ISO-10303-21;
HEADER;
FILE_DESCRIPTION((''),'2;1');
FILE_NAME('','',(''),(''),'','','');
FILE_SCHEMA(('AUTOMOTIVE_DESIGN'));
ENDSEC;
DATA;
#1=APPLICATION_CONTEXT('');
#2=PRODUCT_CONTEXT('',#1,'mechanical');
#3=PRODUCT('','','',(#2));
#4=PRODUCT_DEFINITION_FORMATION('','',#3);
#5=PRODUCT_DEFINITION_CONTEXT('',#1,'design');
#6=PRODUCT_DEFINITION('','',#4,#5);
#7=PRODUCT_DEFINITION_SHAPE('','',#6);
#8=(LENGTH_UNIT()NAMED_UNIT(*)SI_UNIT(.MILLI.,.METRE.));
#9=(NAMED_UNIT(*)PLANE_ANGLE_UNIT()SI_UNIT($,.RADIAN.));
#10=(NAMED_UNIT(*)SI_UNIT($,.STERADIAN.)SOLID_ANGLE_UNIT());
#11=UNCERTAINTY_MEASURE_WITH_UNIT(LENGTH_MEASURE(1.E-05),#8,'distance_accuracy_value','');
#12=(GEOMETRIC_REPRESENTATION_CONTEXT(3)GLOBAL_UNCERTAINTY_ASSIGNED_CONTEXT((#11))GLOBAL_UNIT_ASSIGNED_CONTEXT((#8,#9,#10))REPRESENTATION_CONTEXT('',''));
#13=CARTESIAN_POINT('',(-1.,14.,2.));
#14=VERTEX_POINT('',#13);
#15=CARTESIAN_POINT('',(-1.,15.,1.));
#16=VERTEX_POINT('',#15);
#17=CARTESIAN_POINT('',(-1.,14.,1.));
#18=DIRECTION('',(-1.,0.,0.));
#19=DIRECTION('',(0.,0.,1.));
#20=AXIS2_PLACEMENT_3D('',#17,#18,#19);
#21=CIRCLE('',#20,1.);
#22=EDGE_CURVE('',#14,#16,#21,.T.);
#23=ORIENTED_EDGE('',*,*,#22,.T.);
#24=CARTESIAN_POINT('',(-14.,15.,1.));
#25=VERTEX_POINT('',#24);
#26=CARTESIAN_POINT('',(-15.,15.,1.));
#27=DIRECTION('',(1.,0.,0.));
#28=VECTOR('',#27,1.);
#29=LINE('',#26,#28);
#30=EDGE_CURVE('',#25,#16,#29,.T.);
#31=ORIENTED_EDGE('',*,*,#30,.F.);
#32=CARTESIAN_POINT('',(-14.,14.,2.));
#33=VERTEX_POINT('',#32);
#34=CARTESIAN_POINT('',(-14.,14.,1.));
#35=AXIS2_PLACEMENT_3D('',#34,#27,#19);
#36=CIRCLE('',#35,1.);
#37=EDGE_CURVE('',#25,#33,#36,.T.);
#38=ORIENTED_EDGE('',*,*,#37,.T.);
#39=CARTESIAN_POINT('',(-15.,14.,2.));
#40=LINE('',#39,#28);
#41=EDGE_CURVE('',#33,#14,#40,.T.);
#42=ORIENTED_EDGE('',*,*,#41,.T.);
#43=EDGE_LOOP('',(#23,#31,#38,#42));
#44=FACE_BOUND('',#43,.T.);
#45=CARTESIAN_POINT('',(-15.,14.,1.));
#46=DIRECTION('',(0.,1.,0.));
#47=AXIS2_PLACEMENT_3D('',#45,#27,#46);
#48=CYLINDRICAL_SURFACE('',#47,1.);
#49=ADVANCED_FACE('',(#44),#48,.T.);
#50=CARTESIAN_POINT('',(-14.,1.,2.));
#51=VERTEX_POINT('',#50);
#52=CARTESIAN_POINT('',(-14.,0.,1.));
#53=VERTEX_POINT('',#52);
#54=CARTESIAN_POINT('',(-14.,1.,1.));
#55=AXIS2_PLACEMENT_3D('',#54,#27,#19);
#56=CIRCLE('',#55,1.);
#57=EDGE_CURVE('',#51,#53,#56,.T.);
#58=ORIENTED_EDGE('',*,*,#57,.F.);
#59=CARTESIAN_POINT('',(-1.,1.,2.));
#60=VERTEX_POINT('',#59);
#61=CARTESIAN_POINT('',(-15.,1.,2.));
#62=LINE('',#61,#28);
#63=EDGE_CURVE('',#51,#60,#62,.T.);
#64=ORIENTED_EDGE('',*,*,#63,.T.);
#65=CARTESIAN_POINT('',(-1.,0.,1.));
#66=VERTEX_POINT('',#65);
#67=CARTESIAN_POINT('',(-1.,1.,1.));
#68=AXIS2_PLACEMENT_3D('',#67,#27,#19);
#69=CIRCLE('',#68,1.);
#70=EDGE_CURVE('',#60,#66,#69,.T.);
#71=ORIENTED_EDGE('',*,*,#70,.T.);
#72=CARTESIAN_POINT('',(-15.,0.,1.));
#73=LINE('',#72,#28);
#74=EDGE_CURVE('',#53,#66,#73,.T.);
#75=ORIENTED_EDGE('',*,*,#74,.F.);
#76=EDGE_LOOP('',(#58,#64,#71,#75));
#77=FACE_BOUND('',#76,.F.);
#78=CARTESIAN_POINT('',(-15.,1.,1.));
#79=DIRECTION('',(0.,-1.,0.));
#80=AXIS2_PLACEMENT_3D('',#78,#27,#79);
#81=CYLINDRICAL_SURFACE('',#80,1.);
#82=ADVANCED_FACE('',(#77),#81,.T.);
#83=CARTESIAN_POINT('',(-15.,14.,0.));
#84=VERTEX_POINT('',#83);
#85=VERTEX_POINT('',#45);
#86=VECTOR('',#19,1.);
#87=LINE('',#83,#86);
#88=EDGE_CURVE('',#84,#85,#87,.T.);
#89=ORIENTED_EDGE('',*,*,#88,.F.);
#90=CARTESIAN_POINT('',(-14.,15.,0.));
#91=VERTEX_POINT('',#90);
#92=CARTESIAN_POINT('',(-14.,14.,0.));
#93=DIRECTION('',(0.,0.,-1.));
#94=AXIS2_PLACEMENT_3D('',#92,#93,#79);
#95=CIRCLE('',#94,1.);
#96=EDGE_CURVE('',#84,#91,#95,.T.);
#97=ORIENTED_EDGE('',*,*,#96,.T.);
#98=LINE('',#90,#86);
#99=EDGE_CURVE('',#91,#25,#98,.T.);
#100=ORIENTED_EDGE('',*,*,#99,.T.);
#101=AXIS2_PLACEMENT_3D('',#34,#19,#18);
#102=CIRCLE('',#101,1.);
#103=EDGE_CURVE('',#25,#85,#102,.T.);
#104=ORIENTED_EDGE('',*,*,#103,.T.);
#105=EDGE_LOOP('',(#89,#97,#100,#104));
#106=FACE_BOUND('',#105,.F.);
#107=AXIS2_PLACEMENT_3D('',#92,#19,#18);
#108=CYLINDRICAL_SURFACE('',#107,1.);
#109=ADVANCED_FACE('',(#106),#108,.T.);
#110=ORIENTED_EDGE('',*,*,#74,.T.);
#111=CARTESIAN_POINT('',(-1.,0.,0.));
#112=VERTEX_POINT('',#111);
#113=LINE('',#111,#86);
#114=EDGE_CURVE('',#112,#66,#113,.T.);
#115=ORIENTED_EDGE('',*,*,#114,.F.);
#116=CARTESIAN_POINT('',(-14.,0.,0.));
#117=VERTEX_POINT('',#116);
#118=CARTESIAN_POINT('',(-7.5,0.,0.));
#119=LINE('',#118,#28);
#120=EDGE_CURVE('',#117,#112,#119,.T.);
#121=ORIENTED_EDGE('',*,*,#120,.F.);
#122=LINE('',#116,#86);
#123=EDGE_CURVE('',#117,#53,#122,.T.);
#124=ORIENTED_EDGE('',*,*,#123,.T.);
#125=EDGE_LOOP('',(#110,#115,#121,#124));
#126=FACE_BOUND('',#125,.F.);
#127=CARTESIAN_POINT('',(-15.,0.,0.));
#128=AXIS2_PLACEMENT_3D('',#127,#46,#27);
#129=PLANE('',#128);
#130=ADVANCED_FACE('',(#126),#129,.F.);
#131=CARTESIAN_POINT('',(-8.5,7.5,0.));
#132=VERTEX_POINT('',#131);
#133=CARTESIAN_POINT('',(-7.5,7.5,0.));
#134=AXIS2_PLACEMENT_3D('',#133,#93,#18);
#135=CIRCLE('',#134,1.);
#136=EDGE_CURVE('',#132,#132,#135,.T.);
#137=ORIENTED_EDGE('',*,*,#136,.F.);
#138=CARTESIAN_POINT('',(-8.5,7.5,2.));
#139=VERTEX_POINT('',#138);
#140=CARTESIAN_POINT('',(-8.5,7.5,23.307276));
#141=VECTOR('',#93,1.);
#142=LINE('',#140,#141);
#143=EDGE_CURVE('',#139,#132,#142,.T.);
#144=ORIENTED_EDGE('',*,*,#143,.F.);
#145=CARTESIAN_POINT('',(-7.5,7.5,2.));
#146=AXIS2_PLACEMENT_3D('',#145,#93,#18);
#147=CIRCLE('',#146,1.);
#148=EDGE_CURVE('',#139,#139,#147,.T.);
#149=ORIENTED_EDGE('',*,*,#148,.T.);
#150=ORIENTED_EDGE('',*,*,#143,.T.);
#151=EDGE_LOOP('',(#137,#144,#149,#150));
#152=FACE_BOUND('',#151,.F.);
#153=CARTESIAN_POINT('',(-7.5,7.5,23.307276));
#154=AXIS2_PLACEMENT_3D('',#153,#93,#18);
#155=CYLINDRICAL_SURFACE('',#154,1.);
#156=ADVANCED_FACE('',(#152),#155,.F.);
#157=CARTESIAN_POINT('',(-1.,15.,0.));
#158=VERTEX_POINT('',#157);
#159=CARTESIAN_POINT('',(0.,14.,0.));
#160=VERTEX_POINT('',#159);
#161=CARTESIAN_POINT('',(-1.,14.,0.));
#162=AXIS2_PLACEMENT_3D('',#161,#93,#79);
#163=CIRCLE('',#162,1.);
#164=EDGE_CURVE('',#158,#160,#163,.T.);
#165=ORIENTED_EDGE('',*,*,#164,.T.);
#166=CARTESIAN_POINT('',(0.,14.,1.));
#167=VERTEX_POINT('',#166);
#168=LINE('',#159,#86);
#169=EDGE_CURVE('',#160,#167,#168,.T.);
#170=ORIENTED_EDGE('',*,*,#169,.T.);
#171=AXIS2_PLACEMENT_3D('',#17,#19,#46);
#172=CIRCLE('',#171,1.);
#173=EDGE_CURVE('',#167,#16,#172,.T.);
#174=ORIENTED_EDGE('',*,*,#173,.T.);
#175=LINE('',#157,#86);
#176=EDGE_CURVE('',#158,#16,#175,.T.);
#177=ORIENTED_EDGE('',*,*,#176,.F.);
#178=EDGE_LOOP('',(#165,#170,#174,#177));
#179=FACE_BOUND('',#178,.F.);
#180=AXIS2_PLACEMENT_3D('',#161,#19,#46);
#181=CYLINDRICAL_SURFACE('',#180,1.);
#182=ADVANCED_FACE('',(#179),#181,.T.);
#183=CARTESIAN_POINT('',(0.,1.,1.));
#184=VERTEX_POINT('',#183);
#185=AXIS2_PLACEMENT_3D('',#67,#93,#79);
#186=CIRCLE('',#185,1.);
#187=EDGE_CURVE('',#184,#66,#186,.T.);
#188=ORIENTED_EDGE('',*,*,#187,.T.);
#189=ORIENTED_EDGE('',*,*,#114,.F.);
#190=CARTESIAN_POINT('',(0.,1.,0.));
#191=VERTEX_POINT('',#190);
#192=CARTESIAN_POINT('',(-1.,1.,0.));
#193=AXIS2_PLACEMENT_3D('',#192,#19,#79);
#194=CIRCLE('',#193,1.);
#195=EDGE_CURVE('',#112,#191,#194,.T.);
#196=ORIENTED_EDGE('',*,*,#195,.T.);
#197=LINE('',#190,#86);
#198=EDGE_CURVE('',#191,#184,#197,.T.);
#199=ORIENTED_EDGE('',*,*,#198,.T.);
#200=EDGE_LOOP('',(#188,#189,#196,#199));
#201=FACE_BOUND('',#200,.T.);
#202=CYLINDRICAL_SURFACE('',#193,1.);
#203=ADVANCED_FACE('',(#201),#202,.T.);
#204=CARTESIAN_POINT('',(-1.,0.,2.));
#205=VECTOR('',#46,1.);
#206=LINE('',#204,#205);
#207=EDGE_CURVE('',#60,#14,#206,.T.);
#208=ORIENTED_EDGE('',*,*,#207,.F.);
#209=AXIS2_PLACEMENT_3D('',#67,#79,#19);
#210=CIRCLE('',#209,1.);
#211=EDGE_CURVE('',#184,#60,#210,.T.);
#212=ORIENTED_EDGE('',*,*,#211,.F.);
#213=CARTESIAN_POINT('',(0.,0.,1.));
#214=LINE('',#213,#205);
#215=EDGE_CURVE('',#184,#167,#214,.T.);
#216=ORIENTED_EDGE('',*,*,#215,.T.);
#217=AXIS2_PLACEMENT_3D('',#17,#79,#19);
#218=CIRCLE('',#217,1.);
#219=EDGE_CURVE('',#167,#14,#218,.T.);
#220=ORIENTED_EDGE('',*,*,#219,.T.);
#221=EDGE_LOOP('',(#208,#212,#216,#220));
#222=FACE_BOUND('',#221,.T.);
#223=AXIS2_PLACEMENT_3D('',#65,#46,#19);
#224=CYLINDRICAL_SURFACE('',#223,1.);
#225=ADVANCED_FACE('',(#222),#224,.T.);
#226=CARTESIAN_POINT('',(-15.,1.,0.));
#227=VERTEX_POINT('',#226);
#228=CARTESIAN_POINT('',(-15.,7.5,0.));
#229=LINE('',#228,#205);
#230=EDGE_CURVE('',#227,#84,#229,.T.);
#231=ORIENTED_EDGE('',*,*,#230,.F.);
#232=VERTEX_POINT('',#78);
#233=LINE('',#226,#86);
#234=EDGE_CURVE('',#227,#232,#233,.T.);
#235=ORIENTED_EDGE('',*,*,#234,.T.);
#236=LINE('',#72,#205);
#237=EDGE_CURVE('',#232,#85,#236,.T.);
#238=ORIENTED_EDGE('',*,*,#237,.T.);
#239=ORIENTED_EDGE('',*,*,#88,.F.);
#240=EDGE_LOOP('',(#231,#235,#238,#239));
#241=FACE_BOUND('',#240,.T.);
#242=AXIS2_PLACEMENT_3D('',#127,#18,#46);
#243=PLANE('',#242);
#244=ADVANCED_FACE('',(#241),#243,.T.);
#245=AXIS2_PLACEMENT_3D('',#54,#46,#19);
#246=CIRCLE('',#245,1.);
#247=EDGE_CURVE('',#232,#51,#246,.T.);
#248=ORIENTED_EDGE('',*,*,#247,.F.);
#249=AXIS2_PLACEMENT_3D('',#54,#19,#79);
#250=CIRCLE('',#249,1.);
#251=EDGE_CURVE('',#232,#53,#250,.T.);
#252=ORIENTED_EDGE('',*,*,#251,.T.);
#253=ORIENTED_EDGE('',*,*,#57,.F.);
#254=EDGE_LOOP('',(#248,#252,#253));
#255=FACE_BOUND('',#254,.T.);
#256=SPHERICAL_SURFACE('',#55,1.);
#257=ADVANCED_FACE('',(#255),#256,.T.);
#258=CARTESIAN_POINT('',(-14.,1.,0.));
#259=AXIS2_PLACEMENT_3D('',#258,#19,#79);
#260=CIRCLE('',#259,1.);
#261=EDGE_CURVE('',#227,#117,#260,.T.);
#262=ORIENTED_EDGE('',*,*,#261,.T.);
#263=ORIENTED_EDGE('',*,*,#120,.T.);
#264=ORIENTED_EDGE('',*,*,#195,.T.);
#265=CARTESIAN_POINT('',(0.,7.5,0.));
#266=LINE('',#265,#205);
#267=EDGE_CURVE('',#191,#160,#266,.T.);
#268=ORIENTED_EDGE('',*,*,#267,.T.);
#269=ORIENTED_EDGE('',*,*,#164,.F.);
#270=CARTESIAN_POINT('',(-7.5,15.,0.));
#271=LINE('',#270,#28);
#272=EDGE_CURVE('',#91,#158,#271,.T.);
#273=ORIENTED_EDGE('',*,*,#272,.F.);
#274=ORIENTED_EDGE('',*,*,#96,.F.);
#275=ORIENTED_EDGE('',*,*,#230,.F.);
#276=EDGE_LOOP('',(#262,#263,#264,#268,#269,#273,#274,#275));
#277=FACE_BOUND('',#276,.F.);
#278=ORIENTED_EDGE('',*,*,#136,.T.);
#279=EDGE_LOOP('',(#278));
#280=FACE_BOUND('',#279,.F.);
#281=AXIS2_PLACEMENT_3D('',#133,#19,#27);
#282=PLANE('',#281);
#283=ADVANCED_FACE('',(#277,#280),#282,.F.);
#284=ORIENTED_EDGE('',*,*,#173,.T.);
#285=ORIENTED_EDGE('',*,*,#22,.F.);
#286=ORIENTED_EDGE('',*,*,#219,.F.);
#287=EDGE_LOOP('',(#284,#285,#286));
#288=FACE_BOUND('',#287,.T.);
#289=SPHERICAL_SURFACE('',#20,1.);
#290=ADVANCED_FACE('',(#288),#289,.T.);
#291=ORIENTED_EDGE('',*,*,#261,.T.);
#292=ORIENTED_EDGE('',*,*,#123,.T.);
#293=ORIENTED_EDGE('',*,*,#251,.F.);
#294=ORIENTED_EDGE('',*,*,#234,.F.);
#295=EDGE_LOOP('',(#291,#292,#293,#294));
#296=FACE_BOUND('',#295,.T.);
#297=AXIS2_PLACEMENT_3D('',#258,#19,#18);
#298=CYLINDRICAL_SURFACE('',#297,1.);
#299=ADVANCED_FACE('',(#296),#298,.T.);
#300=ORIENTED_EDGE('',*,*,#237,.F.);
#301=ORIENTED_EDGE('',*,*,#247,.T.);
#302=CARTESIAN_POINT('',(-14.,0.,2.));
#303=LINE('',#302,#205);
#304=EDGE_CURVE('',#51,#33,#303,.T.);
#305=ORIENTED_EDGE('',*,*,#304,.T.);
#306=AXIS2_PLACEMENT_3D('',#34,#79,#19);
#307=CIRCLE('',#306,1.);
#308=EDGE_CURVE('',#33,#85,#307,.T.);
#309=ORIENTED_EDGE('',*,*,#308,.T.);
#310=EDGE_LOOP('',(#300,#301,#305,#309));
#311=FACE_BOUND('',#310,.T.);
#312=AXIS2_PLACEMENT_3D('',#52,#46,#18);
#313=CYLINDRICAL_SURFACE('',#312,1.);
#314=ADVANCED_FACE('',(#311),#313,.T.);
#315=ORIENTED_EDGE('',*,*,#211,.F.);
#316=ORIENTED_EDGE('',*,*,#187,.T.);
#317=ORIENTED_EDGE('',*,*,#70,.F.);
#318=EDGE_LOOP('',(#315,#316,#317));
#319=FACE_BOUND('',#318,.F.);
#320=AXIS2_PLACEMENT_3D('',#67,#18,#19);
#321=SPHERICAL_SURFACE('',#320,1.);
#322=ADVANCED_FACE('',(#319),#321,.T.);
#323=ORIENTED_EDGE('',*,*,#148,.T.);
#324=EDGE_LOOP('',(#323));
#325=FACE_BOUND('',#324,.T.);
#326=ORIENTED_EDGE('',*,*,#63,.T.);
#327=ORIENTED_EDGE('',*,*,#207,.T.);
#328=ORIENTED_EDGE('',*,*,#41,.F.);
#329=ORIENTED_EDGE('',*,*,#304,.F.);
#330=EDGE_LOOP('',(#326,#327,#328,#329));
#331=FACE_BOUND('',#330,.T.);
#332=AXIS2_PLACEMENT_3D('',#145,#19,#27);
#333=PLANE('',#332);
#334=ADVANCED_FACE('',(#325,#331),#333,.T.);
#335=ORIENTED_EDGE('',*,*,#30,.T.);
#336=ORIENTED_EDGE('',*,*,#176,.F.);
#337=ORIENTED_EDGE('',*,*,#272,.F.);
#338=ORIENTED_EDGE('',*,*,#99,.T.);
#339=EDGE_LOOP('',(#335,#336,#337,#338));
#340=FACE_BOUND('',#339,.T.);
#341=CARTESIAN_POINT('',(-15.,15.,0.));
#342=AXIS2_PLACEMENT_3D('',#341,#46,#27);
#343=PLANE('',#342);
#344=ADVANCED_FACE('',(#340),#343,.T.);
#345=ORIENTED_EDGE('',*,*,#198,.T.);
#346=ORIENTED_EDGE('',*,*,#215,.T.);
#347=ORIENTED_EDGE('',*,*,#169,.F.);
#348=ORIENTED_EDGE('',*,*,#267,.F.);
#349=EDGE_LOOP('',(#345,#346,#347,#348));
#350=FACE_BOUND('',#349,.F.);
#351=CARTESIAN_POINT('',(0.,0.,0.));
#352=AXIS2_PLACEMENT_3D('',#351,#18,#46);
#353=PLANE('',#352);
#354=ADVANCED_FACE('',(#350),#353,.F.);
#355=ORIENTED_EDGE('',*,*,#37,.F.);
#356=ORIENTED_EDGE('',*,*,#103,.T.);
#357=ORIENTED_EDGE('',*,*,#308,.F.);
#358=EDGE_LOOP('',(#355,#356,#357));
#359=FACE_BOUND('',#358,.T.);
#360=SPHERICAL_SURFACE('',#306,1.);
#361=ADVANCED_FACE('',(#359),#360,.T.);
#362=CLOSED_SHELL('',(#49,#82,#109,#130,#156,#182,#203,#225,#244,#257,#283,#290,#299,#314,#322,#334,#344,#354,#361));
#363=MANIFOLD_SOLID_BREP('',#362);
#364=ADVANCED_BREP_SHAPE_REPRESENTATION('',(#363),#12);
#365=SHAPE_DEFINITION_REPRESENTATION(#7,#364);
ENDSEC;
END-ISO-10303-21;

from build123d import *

# Parameters (mm, degrees)
F0_W     = 15
F0_H     = 15
F1_DEPTH = 2
F3_D     = 2
F4_R     = 1


with BuildPart() as f1:
    # F0 (on Top) → F1 (new body)
    with BuildSketch(Plane.XY):
        with Locations((-7.5, 7.5)):
            Rectangle(F0_W, F0_H)
    extrude(amount=F1_DEPTH)

    # F3 (through all)
    with Locations(Plane.XY.offset(2)):
        with Locations((-7.5, 7.5)):
            Hole(F3_D / 2)

    # F4
    f4_edges = [f1.edges().sort_by_distance(p)[0] for p in [
        (-7.5, 0, 2),
        (-15, 7.5, 2),
        (-7.5, 15, 2),
        (0, 7.5, 2),
        (0, 0, 1),
        (-15, 0, 1),
        (0, 15, 1),
        (-15, 15, 1),
    ]]
    fillet(f4_edges, radius=F4_R)


solid = f1.part
